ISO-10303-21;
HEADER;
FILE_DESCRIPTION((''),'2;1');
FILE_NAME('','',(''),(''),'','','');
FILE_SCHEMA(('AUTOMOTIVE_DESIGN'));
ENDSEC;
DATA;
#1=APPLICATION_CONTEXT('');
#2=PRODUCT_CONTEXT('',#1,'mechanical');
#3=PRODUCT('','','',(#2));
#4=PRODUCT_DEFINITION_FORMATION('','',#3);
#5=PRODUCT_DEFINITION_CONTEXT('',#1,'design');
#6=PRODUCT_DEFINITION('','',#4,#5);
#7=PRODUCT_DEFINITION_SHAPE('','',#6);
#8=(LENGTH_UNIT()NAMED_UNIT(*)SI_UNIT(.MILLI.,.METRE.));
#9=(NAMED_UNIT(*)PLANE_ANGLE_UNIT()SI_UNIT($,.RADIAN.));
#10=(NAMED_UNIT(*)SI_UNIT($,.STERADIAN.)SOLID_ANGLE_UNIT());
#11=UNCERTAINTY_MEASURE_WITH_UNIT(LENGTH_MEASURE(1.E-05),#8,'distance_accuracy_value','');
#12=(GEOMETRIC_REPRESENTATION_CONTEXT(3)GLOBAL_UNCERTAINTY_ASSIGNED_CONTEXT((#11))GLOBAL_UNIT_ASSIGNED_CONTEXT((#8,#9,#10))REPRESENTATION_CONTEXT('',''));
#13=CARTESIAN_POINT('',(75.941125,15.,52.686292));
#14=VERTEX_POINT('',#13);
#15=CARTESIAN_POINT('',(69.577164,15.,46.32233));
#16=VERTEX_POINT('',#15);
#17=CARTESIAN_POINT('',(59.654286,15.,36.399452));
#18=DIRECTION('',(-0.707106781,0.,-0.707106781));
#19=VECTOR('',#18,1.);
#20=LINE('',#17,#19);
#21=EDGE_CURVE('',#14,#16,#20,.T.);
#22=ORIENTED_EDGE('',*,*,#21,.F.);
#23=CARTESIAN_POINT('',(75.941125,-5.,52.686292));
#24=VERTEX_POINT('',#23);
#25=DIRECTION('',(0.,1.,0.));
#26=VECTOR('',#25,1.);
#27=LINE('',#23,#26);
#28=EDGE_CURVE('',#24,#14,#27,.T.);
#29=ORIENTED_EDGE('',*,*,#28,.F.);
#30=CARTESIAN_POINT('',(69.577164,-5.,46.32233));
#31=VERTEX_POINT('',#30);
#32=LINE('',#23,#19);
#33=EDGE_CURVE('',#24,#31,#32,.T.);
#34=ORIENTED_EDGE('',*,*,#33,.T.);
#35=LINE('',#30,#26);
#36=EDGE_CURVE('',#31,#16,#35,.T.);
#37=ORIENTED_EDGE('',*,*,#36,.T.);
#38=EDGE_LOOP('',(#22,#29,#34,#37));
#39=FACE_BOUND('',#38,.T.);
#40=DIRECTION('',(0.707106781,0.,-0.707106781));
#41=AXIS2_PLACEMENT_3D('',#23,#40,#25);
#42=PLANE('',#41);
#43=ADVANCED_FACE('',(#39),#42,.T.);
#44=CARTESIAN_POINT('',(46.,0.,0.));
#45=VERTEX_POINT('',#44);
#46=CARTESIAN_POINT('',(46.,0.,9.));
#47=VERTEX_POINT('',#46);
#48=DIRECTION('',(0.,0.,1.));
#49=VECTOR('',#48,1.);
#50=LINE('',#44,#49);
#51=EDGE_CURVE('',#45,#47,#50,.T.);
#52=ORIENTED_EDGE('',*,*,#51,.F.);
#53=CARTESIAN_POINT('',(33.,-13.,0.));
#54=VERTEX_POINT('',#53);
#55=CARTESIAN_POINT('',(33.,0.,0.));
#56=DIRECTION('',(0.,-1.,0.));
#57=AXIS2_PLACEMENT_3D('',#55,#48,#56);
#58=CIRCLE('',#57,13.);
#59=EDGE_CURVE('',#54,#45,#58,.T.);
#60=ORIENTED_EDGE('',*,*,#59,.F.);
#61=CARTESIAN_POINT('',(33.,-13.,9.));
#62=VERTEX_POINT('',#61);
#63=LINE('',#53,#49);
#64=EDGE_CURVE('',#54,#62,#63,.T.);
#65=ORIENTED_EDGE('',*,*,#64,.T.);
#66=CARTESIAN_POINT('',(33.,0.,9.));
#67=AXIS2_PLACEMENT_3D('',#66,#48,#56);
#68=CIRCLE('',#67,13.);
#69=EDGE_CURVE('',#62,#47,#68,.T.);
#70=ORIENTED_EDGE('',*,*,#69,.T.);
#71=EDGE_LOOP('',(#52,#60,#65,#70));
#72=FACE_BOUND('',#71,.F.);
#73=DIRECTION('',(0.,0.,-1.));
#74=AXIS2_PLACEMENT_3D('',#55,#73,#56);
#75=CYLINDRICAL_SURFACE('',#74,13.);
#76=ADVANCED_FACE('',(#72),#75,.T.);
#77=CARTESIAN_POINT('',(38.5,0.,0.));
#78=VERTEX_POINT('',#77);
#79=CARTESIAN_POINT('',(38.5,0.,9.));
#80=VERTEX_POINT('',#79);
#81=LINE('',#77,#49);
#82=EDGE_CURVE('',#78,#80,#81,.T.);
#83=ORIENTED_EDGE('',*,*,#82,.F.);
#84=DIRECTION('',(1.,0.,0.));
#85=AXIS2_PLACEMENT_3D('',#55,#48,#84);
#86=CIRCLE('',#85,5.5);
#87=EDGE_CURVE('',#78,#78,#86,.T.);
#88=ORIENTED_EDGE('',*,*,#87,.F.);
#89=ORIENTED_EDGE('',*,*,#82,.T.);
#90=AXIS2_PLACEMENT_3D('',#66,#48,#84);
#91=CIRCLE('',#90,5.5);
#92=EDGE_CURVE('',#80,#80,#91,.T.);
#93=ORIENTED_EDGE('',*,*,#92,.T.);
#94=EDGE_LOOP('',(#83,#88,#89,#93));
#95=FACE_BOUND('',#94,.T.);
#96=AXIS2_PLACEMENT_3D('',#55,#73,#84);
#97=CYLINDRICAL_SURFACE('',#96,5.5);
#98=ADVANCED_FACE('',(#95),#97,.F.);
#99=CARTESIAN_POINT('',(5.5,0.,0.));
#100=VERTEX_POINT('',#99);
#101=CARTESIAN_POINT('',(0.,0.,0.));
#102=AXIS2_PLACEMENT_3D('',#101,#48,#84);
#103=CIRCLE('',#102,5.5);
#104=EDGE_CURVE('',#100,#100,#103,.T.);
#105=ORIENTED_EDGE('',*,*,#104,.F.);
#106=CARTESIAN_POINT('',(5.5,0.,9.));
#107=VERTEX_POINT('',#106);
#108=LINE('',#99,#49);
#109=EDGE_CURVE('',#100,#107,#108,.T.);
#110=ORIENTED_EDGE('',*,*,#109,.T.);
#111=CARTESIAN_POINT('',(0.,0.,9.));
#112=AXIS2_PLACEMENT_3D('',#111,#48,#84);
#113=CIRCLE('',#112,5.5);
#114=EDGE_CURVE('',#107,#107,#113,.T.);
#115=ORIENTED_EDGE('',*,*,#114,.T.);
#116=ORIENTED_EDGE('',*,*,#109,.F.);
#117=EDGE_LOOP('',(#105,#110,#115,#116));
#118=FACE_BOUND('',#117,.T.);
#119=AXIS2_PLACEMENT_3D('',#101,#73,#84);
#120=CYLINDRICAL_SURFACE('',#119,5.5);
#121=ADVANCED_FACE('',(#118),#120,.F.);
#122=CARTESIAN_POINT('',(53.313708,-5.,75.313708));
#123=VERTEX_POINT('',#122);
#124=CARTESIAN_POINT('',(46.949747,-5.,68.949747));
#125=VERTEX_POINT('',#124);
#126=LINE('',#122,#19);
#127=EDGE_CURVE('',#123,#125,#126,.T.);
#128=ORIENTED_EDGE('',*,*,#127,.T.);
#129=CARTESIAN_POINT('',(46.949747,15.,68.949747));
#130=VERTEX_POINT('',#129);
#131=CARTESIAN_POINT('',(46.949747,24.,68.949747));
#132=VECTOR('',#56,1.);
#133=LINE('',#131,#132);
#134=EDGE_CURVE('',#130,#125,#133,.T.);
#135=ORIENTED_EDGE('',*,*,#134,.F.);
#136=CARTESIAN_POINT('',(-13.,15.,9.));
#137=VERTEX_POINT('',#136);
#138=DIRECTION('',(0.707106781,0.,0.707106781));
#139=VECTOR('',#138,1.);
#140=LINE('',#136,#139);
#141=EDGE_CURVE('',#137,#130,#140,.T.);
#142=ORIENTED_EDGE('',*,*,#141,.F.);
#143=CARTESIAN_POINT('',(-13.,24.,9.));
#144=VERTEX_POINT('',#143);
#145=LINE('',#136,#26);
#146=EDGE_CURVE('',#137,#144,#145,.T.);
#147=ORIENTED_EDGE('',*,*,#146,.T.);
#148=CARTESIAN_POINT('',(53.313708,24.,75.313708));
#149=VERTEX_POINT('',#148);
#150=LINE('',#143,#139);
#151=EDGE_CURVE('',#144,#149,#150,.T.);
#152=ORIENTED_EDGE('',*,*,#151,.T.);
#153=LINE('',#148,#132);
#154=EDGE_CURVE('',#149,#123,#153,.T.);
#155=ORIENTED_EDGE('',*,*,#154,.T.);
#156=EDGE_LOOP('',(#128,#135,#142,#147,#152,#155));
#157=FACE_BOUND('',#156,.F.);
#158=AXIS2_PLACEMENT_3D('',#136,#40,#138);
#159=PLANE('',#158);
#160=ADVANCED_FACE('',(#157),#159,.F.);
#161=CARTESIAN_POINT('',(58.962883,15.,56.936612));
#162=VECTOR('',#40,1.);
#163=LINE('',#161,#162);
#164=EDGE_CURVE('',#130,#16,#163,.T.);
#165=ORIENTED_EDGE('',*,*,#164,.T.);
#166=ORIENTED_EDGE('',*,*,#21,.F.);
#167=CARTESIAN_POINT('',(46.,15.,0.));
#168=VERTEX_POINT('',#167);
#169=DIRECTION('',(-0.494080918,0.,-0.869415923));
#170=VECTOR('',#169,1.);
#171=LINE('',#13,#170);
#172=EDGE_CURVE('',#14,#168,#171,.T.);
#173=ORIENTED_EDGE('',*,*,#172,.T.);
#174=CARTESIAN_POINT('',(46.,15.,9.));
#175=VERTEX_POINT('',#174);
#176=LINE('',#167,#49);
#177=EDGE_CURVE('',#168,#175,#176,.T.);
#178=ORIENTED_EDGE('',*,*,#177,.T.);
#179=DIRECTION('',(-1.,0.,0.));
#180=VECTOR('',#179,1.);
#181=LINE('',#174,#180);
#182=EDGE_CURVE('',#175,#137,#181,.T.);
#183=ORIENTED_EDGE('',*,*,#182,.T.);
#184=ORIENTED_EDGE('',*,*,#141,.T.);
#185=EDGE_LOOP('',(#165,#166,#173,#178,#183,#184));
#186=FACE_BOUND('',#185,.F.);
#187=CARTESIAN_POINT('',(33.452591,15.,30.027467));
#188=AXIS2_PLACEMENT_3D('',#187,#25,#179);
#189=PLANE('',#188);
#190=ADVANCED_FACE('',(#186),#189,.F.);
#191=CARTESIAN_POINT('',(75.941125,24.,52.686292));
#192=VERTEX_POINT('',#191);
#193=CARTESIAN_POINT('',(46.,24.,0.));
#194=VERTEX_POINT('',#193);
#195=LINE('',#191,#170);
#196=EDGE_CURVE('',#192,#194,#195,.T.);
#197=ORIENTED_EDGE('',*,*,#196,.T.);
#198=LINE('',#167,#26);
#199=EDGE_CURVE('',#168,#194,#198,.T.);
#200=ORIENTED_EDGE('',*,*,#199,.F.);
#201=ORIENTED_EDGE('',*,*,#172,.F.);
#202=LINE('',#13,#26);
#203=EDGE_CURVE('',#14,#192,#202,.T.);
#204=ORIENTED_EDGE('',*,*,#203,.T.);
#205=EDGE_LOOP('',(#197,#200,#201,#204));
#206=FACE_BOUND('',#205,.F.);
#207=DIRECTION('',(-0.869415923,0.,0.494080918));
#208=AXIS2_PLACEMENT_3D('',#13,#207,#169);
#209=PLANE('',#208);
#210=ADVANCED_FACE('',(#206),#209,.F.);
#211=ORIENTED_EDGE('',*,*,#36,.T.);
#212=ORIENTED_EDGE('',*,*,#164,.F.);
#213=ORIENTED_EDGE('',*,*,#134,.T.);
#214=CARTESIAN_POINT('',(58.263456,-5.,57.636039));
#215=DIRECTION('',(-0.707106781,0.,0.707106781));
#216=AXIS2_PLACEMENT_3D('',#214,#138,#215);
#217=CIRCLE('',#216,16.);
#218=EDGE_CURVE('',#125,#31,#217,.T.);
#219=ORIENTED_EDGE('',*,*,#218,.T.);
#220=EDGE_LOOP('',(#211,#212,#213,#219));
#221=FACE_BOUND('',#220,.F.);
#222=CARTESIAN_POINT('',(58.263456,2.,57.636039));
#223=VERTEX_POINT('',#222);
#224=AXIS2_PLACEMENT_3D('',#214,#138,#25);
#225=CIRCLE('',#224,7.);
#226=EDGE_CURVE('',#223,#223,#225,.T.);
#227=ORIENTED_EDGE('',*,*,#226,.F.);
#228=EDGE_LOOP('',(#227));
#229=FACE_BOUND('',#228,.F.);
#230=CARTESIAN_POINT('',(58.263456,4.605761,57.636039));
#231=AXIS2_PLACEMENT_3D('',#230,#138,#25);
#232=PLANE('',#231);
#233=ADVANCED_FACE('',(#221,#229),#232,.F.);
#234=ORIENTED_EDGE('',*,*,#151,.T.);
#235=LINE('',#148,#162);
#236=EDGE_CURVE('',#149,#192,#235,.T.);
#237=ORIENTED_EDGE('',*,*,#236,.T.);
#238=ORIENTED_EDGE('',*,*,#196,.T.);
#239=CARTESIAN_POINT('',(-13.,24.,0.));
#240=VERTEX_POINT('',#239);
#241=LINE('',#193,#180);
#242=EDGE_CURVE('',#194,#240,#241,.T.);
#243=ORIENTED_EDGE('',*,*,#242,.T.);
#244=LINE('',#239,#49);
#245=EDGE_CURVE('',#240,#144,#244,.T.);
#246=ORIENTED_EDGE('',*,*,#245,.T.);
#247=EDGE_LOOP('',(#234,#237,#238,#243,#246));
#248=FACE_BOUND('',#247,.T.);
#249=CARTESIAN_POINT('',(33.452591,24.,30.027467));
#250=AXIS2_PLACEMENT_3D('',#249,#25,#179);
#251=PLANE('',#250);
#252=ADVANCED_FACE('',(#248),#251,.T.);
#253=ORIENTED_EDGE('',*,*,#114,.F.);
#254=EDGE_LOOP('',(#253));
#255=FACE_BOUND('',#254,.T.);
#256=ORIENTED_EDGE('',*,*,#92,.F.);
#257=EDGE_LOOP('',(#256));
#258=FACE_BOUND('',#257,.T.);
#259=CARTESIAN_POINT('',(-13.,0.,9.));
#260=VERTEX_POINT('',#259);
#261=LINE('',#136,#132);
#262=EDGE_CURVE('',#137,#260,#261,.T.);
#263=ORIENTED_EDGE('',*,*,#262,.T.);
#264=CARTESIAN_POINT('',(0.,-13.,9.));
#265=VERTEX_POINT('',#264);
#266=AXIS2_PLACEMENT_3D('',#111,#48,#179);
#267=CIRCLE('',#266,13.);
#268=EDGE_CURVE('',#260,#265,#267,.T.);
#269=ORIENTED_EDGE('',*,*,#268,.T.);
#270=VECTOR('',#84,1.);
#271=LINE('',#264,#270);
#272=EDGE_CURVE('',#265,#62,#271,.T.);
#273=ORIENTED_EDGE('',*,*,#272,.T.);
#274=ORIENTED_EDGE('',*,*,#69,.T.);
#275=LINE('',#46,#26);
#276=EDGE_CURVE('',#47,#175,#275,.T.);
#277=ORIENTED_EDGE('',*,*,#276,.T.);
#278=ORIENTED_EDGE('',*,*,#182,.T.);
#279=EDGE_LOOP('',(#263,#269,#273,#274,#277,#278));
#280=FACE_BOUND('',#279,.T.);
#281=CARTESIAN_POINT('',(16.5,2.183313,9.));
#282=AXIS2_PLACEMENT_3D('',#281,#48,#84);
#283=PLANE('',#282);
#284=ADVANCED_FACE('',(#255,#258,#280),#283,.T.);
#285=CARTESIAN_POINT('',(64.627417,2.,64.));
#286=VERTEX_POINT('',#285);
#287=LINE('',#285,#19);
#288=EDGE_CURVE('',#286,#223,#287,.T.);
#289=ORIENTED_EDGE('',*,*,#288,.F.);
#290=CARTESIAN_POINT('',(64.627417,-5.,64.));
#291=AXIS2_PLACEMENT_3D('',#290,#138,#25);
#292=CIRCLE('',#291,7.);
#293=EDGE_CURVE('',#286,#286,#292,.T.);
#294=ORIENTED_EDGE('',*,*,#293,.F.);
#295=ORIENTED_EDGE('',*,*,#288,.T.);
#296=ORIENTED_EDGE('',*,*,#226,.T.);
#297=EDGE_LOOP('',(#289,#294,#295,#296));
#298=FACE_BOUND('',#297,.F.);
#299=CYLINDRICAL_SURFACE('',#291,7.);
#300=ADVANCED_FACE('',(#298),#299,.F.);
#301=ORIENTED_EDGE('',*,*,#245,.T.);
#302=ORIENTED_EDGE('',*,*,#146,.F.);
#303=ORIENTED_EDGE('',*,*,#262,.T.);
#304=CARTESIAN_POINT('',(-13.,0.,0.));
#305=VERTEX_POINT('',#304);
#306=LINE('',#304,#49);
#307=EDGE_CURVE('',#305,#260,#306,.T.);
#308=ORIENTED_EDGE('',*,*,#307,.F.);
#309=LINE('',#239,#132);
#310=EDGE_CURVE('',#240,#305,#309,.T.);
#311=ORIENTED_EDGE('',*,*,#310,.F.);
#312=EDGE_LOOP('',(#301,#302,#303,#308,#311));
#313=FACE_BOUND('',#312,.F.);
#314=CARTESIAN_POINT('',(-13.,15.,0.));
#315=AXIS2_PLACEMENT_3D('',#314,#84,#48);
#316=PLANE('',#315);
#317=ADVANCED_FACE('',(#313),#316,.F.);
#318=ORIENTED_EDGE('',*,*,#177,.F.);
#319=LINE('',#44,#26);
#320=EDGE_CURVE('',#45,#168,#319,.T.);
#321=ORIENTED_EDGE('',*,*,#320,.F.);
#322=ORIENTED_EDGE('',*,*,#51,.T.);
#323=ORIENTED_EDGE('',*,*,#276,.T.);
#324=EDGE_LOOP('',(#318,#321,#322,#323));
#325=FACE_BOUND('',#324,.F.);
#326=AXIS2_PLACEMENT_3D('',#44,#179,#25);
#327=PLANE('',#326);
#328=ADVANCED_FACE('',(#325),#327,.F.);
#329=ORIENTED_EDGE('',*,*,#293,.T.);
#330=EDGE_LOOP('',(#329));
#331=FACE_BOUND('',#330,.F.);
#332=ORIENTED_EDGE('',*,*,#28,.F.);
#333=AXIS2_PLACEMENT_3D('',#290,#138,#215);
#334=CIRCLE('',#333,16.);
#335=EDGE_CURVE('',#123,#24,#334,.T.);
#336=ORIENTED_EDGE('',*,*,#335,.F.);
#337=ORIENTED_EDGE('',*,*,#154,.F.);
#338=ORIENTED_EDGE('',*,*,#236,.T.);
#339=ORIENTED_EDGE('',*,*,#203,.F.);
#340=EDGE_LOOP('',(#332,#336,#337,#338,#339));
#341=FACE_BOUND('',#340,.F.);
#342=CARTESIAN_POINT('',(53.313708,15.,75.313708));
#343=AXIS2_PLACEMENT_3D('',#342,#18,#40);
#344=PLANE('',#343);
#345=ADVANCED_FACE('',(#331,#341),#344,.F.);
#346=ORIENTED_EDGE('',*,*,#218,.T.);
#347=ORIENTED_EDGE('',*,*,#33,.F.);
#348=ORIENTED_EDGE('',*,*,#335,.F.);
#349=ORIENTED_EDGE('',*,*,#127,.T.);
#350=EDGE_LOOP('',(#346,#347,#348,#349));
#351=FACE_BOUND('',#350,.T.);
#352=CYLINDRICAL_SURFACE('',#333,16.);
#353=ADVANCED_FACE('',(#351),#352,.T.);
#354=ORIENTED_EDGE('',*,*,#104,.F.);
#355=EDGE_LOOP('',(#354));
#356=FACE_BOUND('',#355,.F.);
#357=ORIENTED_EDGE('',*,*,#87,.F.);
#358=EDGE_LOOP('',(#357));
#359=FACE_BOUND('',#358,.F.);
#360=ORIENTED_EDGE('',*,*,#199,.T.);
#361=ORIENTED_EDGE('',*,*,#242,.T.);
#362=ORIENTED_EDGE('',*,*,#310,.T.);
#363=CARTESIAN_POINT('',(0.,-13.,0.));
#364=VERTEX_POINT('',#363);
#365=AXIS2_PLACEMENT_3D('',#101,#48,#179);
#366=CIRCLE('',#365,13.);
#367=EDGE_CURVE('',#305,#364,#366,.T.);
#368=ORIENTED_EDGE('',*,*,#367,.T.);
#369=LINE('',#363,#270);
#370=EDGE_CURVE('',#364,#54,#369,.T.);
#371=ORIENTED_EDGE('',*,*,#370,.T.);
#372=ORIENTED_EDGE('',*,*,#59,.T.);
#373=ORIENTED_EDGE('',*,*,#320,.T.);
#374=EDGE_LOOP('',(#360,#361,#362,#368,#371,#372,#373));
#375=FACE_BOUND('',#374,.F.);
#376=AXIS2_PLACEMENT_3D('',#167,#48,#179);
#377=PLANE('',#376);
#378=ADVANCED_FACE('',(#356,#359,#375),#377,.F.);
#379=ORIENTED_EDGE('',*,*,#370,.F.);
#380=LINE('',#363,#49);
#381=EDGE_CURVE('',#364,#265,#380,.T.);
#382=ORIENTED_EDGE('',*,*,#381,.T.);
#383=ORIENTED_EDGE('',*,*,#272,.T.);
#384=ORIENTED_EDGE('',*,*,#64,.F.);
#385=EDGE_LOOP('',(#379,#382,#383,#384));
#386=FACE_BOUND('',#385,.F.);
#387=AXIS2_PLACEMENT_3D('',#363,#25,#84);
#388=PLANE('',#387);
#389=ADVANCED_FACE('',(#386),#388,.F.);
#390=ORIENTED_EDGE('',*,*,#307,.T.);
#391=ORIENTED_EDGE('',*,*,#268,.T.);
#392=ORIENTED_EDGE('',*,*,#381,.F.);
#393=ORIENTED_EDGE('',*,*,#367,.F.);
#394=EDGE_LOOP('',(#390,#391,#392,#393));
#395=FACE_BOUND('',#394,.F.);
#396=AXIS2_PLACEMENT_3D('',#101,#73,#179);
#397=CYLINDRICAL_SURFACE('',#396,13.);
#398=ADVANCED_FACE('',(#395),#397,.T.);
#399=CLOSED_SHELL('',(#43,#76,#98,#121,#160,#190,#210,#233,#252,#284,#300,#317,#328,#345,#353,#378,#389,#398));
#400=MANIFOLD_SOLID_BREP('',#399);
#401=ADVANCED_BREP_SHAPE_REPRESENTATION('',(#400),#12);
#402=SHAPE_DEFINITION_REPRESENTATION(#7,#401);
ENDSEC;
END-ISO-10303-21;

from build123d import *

# Parameters (mm, degrees)
F0_R     = 5.5
F1_DEPTH = 9
F3_DEPTH = 9
F4_R     = 7
F5_DEPTH = 9


with BuildPart() as f1:
    # F0 (on Top) → F1 (new body)
    with BuildSketch(Plane.XY):
        with BuildLine():
            Line((46, 0), (46, 15))
            Line((46, 15), (-13, 15))
            Line((-13, 15), (-13, 0))
            ThreePointArc((-13, 0), (-9.1923881554, -9.1923881554), (0, -13))
            Line((0, -13), (33, -13))
            ThreePointArc((33, -13), (42.1923881554, -9.1923881554), (46, 0))
        make_face()
        Circle(F0_R, mode=Mode.SUBTRACT)
        with Locations((33, 0)):
            Circle(F0_R, mode=Mode.SUBTRACT)
    extrude(amount=F1_DEPTH)

    # F2 (on face) → F3 (join)
    with BuildSketch(Plane(origin=(0, 15, 0), x_dir=(-1, 0, 0), z_dir=(0, 1, 0))):
        Polygon((13, 0), (13, 9), (-53.313708499, 75.313708499), (-75.941125497, 52.686291501), (-46, 0), align=None)
    extrude(amount=F3_DEPTH)

    # F4 (on face) → F5 (join)
    with BuildSketch(Plane(origin=(64.313708499, 0, 64.313708499), x_dir=(0, 1, 0), z_dir=(0.7071067812, 0, 0.7071067812))):
        with BuildLine():
            Line((24, -16.4436508139), (24, 15.5563491861))
            Line((24, 15.5563491861), (-5, 15.5563491861))
            ThreePointArc((-5, 15.5563491861), (-21, -0.4436508139), (-5, -16.4436508139))
            Line((-5, -16.4436508139), (24, -16.4436508139))
        make_face()
        with Locations((-5, -0.4436508139)):
            Circle(F4_R, mode=Mode.SUBTRACT)
    extrude(amount=-F5_DEPTH)


solid = f1.part
